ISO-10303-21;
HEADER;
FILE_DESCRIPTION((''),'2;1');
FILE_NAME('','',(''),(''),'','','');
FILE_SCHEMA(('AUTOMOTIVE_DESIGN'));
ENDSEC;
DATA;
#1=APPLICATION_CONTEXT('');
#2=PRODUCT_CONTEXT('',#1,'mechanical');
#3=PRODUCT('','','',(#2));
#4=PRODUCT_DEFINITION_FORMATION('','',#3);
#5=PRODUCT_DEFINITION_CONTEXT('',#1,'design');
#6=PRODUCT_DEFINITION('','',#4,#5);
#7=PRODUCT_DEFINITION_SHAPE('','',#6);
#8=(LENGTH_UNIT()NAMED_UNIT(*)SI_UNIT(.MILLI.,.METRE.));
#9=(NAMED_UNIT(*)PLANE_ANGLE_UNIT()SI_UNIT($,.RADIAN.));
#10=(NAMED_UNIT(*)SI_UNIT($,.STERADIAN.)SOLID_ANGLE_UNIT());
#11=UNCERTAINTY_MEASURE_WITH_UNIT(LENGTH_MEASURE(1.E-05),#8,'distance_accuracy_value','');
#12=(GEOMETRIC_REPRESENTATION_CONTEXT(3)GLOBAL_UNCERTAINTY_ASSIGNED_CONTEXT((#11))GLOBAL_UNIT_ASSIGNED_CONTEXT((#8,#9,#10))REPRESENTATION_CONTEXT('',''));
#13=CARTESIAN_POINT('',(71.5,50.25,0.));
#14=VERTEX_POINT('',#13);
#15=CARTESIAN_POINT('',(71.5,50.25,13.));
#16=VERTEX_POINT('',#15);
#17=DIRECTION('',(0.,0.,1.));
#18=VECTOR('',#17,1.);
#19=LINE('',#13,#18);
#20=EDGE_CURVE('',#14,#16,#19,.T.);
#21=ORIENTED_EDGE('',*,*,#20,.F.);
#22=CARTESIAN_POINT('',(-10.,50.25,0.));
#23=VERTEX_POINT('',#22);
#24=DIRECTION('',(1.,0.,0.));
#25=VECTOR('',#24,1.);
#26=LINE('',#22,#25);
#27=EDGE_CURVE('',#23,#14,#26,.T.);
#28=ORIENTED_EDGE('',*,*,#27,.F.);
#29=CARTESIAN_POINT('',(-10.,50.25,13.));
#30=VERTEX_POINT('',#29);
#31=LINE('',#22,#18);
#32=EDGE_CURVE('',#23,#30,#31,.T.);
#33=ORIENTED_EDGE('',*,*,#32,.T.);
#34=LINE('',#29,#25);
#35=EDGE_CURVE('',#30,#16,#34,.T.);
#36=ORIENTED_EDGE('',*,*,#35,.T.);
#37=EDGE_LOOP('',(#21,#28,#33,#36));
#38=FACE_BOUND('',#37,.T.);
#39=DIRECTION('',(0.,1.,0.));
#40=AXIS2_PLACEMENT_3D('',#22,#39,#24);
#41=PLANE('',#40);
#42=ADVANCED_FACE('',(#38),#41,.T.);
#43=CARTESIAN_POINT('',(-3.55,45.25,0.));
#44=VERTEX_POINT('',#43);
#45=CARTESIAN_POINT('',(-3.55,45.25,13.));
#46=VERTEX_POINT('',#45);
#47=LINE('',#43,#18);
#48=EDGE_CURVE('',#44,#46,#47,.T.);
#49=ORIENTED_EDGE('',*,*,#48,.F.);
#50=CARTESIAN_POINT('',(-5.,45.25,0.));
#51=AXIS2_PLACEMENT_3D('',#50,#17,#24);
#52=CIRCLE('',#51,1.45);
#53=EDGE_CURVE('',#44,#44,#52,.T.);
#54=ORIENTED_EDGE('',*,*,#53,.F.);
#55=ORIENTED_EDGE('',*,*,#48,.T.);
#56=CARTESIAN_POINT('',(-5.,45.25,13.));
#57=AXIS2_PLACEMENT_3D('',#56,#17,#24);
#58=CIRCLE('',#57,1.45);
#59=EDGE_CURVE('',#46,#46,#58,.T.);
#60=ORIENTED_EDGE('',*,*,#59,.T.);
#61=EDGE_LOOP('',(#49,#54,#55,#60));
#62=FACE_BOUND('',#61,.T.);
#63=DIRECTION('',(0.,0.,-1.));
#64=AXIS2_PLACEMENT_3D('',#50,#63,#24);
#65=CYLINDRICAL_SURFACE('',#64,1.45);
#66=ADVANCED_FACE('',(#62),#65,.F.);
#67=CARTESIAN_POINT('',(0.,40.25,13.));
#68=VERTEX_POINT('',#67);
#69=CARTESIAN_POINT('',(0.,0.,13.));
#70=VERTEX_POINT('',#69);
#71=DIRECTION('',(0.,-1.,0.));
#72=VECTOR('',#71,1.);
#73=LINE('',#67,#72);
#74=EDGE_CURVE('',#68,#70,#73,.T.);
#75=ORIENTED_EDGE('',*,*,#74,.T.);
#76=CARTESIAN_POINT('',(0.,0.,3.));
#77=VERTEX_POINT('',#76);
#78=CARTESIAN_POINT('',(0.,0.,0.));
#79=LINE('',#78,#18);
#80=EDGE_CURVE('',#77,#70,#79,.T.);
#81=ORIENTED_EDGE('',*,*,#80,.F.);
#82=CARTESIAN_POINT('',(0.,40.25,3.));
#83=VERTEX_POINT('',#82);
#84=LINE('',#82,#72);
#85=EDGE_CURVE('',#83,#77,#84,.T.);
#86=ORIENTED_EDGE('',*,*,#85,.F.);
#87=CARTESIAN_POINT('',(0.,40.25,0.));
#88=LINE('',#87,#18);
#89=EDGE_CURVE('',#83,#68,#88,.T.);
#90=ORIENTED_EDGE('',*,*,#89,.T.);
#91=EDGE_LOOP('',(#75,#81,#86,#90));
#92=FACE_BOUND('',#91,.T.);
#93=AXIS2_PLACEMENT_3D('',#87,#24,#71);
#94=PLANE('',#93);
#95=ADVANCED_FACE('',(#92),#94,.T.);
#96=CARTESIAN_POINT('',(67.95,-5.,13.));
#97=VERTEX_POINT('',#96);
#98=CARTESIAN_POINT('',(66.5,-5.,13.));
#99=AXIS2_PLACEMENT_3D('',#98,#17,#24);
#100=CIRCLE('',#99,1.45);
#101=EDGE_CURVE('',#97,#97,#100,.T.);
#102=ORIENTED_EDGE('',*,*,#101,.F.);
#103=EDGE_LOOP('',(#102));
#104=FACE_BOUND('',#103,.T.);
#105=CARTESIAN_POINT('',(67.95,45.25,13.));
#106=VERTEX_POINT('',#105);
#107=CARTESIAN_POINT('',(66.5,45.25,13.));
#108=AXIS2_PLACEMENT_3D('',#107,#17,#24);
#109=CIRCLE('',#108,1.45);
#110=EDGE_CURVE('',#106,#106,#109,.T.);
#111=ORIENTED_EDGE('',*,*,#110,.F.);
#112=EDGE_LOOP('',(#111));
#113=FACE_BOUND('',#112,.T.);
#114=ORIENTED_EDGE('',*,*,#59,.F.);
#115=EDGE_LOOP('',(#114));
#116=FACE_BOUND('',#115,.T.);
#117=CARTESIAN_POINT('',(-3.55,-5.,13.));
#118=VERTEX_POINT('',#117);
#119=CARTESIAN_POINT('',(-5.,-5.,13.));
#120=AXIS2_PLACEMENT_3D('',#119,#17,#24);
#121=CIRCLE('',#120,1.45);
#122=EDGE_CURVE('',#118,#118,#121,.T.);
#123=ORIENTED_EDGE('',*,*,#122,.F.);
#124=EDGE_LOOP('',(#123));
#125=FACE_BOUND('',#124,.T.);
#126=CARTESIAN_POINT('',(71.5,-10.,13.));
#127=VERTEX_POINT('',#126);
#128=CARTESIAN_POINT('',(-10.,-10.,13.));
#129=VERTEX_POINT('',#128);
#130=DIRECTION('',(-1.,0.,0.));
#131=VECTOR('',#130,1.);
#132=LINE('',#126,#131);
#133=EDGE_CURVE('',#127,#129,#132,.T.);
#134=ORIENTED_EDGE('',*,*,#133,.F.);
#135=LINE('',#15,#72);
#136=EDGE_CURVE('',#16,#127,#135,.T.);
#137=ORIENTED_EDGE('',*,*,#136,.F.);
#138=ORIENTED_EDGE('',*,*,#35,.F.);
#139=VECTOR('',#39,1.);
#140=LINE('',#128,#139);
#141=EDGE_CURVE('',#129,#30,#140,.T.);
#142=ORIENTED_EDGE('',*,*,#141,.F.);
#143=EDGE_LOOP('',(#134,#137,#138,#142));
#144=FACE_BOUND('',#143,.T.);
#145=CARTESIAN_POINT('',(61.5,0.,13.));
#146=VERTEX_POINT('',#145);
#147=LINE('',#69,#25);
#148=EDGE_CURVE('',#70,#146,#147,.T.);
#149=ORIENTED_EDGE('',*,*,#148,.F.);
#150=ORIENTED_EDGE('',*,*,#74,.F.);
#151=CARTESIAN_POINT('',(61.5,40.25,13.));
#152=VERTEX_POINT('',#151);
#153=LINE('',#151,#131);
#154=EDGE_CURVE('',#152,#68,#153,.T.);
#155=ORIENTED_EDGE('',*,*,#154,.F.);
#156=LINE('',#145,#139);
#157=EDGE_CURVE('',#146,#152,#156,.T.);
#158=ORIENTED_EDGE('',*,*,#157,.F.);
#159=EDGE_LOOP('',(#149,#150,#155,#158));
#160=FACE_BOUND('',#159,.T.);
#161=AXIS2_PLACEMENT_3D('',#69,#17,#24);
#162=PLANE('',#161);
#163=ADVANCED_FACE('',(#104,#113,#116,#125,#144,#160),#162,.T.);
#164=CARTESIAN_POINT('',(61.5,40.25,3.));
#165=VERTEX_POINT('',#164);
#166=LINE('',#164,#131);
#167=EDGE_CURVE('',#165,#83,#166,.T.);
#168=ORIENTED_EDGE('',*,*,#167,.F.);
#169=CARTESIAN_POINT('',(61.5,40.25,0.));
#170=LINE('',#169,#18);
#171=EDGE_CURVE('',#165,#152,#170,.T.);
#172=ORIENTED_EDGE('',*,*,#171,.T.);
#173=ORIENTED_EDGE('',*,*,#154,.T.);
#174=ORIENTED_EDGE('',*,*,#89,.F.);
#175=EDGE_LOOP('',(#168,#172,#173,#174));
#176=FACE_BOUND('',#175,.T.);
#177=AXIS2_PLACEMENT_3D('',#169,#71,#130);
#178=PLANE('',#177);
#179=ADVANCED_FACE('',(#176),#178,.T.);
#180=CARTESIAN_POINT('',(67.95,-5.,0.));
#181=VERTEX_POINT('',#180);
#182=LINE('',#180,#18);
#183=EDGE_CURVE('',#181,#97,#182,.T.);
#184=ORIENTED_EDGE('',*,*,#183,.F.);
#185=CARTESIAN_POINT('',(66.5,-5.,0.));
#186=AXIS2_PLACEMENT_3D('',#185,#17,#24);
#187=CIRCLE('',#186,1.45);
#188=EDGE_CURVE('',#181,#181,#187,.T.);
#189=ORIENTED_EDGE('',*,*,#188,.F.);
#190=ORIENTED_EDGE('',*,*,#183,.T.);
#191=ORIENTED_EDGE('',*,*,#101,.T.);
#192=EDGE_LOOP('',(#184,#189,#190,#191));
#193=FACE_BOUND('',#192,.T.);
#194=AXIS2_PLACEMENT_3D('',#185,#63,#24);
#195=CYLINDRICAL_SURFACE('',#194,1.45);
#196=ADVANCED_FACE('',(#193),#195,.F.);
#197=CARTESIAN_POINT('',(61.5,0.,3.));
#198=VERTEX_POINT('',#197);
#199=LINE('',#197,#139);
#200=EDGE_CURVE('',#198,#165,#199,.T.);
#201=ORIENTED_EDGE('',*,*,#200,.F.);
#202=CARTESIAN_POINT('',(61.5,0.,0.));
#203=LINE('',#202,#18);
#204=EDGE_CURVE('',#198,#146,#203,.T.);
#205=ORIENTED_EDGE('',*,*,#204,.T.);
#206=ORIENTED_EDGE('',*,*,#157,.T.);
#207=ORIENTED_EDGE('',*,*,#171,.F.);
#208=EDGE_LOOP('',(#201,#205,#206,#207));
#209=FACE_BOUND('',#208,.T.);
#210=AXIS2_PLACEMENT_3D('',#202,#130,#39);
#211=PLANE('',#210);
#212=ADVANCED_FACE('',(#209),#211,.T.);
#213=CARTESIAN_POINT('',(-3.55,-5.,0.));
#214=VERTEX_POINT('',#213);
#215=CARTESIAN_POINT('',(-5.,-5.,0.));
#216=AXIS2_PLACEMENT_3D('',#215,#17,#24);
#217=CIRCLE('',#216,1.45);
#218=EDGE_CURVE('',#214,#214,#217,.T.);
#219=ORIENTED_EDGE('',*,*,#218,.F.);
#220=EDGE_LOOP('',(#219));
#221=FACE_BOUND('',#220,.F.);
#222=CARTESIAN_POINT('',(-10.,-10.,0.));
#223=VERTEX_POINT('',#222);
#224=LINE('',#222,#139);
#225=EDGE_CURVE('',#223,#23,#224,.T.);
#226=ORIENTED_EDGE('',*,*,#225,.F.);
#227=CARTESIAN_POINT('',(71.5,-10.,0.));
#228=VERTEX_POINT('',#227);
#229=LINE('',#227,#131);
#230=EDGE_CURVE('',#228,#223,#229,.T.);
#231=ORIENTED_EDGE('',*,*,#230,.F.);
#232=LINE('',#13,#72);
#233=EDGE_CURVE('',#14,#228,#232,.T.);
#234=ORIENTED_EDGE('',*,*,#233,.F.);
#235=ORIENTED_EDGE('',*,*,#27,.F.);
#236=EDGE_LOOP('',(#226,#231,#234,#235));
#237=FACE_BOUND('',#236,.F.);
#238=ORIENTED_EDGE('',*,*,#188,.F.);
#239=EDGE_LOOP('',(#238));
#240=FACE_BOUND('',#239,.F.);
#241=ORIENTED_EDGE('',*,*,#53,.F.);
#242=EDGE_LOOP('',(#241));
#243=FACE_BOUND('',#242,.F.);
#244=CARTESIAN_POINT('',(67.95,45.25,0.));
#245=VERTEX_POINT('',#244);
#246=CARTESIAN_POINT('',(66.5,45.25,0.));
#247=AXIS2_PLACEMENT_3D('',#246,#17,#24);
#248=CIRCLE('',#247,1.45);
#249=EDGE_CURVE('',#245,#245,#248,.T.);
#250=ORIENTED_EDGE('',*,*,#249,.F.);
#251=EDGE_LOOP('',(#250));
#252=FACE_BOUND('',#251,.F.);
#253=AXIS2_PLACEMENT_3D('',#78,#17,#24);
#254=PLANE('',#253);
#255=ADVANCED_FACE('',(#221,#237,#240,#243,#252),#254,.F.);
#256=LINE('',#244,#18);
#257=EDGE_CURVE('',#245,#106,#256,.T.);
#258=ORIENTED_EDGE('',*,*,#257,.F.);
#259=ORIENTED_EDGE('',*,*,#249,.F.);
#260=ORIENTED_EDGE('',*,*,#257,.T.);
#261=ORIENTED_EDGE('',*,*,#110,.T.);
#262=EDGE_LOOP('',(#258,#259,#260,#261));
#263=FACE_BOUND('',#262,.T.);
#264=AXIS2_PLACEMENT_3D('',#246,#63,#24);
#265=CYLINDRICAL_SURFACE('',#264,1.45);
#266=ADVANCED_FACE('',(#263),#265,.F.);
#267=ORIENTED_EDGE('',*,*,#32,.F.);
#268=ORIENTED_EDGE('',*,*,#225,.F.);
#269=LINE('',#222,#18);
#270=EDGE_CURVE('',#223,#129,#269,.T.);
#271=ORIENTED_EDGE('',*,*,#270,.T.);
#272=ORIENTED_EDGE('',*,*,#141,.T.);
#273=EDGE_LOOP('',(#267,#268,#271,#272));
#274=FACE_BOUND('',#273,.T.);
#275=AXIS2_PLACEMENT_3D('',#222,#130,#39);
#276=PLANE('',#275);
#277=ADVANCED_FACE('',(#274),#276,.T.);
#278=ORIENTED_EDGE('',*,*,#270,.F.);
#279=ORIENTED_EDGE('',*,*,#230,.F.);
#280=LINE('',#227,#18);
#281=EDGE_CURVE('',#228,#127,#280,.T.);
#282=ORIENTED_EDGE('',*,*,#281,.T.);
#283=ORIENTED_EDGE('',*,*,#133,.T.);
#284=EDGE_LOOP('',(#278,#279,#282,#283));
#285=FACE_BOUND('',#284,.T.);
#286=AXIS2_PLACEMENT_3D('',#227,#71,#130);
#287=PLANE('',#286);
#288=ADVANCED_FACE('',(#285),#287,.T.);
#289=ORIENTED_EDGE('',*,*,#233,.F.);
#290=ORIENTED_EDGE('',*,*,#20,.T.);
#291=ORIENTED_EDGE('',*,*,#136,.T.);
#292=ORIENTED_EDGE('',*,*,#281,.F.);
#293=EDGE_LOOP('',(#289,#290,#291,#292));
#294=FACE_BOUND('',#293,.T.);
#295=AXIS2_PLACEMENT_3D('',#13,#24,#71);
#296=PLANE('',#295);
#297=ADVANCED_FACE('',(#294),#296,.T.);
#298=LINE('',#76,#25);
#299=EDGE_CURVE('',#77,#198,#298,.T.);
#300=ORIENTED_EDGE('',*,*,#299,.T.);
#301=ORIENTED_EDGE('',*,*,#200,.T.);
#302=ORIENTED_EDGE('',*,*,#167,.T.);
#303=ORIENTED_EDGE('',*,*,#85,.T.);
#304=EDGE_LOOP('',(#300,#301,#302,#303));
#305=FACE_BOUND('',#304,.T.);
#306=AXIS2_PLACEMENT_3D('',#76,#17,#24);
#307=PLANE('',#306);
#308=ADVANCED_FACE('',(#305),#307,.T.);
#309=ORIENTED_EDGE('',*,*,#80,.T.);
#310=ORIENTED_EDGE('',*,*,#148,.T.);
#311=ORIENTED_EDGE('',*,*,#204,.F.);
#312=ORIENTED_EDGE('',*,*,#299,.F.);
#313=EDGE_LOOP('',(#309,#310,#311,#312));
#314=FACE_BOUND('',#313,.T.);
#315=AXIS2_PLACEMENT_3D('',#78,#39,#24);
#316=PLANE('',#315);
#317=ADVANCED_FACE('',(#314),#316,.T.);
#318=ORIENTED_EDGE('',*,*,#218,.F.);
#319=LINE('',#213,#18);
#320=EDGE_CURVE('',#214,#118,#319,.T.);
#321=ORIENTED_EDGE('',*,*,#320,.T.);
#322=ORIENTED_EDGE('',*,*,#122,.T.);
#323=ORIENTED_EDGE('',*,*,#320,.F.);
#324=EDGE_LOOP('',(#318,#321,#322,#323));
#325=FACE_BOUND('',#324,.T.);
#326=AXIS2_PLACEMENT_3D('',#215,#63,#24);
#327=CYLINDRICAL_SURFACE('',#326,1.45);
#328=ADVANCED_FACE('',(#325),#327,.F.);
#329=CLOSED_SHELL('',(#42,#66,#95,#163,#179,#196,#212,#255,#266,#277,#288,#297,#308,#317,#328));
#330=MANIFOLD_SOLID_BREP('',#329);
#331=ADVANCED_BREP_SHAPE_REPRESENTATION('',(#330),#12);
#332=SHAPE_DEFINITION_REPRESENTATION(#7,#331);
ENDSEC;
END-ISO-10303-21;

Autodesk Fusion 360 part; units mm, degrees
sketch "Sketch2" plane through (0, 0, 0) normal (0, 0, 1) x (1, 0, 0)
  line L0 (0, 0) -> (61.5, 0)
  line L1 (61.5, 0) -> (61.5, 40.25)
  line L2 (61.5, 40.25) -> (0, 40.25)
  line L3 (0, 40.25) -> (0, 0)
  line L4 (-10, 50.25) -> (71.5, 50.25)
  line L5 (71.5, 50.25) -> (71.5, -10)
  line L6 (71.5, -10) -> (-10, -10)
  line L7 (-10, -10) -> (-10, 50.25)
  circle A0 centre (-5, 45.25) radius 1.45
  circle A1 centre (-5, -5) radius 1.45
  circle A2 centre (66.5, 45.25) radius 1.45
  circle A3 centre (66.5, -5) radius 1.45
  dimension "d1" = 61.5
  dimension "d2" = 40.25
  dimension "d3" = 81.5
  dimension "d4" = 60.25
  dimension "d5" = 10
  dimension "d6" = 10
  dimension "d7" = 2.9
  dimension "d8" = 5
  dimension "d9" = 5
  dimension "d10" = 2.9
  dimension "d11" = 5
  dimension "d12" = 5
  dimension "d13" = 2.9
  dimension "d14" = 5
  dimension "d15" = 5
  dimension "d16" = 2.9
  dimension "d17" = 5
  dimension "d18" = 5
extrude "Extrude3" add sketch "Sketch2" along normal blind 13
extrude "Extrude4" add sketch "Sketch2" along normal blind 3 contours L0 L1 L2 L3
